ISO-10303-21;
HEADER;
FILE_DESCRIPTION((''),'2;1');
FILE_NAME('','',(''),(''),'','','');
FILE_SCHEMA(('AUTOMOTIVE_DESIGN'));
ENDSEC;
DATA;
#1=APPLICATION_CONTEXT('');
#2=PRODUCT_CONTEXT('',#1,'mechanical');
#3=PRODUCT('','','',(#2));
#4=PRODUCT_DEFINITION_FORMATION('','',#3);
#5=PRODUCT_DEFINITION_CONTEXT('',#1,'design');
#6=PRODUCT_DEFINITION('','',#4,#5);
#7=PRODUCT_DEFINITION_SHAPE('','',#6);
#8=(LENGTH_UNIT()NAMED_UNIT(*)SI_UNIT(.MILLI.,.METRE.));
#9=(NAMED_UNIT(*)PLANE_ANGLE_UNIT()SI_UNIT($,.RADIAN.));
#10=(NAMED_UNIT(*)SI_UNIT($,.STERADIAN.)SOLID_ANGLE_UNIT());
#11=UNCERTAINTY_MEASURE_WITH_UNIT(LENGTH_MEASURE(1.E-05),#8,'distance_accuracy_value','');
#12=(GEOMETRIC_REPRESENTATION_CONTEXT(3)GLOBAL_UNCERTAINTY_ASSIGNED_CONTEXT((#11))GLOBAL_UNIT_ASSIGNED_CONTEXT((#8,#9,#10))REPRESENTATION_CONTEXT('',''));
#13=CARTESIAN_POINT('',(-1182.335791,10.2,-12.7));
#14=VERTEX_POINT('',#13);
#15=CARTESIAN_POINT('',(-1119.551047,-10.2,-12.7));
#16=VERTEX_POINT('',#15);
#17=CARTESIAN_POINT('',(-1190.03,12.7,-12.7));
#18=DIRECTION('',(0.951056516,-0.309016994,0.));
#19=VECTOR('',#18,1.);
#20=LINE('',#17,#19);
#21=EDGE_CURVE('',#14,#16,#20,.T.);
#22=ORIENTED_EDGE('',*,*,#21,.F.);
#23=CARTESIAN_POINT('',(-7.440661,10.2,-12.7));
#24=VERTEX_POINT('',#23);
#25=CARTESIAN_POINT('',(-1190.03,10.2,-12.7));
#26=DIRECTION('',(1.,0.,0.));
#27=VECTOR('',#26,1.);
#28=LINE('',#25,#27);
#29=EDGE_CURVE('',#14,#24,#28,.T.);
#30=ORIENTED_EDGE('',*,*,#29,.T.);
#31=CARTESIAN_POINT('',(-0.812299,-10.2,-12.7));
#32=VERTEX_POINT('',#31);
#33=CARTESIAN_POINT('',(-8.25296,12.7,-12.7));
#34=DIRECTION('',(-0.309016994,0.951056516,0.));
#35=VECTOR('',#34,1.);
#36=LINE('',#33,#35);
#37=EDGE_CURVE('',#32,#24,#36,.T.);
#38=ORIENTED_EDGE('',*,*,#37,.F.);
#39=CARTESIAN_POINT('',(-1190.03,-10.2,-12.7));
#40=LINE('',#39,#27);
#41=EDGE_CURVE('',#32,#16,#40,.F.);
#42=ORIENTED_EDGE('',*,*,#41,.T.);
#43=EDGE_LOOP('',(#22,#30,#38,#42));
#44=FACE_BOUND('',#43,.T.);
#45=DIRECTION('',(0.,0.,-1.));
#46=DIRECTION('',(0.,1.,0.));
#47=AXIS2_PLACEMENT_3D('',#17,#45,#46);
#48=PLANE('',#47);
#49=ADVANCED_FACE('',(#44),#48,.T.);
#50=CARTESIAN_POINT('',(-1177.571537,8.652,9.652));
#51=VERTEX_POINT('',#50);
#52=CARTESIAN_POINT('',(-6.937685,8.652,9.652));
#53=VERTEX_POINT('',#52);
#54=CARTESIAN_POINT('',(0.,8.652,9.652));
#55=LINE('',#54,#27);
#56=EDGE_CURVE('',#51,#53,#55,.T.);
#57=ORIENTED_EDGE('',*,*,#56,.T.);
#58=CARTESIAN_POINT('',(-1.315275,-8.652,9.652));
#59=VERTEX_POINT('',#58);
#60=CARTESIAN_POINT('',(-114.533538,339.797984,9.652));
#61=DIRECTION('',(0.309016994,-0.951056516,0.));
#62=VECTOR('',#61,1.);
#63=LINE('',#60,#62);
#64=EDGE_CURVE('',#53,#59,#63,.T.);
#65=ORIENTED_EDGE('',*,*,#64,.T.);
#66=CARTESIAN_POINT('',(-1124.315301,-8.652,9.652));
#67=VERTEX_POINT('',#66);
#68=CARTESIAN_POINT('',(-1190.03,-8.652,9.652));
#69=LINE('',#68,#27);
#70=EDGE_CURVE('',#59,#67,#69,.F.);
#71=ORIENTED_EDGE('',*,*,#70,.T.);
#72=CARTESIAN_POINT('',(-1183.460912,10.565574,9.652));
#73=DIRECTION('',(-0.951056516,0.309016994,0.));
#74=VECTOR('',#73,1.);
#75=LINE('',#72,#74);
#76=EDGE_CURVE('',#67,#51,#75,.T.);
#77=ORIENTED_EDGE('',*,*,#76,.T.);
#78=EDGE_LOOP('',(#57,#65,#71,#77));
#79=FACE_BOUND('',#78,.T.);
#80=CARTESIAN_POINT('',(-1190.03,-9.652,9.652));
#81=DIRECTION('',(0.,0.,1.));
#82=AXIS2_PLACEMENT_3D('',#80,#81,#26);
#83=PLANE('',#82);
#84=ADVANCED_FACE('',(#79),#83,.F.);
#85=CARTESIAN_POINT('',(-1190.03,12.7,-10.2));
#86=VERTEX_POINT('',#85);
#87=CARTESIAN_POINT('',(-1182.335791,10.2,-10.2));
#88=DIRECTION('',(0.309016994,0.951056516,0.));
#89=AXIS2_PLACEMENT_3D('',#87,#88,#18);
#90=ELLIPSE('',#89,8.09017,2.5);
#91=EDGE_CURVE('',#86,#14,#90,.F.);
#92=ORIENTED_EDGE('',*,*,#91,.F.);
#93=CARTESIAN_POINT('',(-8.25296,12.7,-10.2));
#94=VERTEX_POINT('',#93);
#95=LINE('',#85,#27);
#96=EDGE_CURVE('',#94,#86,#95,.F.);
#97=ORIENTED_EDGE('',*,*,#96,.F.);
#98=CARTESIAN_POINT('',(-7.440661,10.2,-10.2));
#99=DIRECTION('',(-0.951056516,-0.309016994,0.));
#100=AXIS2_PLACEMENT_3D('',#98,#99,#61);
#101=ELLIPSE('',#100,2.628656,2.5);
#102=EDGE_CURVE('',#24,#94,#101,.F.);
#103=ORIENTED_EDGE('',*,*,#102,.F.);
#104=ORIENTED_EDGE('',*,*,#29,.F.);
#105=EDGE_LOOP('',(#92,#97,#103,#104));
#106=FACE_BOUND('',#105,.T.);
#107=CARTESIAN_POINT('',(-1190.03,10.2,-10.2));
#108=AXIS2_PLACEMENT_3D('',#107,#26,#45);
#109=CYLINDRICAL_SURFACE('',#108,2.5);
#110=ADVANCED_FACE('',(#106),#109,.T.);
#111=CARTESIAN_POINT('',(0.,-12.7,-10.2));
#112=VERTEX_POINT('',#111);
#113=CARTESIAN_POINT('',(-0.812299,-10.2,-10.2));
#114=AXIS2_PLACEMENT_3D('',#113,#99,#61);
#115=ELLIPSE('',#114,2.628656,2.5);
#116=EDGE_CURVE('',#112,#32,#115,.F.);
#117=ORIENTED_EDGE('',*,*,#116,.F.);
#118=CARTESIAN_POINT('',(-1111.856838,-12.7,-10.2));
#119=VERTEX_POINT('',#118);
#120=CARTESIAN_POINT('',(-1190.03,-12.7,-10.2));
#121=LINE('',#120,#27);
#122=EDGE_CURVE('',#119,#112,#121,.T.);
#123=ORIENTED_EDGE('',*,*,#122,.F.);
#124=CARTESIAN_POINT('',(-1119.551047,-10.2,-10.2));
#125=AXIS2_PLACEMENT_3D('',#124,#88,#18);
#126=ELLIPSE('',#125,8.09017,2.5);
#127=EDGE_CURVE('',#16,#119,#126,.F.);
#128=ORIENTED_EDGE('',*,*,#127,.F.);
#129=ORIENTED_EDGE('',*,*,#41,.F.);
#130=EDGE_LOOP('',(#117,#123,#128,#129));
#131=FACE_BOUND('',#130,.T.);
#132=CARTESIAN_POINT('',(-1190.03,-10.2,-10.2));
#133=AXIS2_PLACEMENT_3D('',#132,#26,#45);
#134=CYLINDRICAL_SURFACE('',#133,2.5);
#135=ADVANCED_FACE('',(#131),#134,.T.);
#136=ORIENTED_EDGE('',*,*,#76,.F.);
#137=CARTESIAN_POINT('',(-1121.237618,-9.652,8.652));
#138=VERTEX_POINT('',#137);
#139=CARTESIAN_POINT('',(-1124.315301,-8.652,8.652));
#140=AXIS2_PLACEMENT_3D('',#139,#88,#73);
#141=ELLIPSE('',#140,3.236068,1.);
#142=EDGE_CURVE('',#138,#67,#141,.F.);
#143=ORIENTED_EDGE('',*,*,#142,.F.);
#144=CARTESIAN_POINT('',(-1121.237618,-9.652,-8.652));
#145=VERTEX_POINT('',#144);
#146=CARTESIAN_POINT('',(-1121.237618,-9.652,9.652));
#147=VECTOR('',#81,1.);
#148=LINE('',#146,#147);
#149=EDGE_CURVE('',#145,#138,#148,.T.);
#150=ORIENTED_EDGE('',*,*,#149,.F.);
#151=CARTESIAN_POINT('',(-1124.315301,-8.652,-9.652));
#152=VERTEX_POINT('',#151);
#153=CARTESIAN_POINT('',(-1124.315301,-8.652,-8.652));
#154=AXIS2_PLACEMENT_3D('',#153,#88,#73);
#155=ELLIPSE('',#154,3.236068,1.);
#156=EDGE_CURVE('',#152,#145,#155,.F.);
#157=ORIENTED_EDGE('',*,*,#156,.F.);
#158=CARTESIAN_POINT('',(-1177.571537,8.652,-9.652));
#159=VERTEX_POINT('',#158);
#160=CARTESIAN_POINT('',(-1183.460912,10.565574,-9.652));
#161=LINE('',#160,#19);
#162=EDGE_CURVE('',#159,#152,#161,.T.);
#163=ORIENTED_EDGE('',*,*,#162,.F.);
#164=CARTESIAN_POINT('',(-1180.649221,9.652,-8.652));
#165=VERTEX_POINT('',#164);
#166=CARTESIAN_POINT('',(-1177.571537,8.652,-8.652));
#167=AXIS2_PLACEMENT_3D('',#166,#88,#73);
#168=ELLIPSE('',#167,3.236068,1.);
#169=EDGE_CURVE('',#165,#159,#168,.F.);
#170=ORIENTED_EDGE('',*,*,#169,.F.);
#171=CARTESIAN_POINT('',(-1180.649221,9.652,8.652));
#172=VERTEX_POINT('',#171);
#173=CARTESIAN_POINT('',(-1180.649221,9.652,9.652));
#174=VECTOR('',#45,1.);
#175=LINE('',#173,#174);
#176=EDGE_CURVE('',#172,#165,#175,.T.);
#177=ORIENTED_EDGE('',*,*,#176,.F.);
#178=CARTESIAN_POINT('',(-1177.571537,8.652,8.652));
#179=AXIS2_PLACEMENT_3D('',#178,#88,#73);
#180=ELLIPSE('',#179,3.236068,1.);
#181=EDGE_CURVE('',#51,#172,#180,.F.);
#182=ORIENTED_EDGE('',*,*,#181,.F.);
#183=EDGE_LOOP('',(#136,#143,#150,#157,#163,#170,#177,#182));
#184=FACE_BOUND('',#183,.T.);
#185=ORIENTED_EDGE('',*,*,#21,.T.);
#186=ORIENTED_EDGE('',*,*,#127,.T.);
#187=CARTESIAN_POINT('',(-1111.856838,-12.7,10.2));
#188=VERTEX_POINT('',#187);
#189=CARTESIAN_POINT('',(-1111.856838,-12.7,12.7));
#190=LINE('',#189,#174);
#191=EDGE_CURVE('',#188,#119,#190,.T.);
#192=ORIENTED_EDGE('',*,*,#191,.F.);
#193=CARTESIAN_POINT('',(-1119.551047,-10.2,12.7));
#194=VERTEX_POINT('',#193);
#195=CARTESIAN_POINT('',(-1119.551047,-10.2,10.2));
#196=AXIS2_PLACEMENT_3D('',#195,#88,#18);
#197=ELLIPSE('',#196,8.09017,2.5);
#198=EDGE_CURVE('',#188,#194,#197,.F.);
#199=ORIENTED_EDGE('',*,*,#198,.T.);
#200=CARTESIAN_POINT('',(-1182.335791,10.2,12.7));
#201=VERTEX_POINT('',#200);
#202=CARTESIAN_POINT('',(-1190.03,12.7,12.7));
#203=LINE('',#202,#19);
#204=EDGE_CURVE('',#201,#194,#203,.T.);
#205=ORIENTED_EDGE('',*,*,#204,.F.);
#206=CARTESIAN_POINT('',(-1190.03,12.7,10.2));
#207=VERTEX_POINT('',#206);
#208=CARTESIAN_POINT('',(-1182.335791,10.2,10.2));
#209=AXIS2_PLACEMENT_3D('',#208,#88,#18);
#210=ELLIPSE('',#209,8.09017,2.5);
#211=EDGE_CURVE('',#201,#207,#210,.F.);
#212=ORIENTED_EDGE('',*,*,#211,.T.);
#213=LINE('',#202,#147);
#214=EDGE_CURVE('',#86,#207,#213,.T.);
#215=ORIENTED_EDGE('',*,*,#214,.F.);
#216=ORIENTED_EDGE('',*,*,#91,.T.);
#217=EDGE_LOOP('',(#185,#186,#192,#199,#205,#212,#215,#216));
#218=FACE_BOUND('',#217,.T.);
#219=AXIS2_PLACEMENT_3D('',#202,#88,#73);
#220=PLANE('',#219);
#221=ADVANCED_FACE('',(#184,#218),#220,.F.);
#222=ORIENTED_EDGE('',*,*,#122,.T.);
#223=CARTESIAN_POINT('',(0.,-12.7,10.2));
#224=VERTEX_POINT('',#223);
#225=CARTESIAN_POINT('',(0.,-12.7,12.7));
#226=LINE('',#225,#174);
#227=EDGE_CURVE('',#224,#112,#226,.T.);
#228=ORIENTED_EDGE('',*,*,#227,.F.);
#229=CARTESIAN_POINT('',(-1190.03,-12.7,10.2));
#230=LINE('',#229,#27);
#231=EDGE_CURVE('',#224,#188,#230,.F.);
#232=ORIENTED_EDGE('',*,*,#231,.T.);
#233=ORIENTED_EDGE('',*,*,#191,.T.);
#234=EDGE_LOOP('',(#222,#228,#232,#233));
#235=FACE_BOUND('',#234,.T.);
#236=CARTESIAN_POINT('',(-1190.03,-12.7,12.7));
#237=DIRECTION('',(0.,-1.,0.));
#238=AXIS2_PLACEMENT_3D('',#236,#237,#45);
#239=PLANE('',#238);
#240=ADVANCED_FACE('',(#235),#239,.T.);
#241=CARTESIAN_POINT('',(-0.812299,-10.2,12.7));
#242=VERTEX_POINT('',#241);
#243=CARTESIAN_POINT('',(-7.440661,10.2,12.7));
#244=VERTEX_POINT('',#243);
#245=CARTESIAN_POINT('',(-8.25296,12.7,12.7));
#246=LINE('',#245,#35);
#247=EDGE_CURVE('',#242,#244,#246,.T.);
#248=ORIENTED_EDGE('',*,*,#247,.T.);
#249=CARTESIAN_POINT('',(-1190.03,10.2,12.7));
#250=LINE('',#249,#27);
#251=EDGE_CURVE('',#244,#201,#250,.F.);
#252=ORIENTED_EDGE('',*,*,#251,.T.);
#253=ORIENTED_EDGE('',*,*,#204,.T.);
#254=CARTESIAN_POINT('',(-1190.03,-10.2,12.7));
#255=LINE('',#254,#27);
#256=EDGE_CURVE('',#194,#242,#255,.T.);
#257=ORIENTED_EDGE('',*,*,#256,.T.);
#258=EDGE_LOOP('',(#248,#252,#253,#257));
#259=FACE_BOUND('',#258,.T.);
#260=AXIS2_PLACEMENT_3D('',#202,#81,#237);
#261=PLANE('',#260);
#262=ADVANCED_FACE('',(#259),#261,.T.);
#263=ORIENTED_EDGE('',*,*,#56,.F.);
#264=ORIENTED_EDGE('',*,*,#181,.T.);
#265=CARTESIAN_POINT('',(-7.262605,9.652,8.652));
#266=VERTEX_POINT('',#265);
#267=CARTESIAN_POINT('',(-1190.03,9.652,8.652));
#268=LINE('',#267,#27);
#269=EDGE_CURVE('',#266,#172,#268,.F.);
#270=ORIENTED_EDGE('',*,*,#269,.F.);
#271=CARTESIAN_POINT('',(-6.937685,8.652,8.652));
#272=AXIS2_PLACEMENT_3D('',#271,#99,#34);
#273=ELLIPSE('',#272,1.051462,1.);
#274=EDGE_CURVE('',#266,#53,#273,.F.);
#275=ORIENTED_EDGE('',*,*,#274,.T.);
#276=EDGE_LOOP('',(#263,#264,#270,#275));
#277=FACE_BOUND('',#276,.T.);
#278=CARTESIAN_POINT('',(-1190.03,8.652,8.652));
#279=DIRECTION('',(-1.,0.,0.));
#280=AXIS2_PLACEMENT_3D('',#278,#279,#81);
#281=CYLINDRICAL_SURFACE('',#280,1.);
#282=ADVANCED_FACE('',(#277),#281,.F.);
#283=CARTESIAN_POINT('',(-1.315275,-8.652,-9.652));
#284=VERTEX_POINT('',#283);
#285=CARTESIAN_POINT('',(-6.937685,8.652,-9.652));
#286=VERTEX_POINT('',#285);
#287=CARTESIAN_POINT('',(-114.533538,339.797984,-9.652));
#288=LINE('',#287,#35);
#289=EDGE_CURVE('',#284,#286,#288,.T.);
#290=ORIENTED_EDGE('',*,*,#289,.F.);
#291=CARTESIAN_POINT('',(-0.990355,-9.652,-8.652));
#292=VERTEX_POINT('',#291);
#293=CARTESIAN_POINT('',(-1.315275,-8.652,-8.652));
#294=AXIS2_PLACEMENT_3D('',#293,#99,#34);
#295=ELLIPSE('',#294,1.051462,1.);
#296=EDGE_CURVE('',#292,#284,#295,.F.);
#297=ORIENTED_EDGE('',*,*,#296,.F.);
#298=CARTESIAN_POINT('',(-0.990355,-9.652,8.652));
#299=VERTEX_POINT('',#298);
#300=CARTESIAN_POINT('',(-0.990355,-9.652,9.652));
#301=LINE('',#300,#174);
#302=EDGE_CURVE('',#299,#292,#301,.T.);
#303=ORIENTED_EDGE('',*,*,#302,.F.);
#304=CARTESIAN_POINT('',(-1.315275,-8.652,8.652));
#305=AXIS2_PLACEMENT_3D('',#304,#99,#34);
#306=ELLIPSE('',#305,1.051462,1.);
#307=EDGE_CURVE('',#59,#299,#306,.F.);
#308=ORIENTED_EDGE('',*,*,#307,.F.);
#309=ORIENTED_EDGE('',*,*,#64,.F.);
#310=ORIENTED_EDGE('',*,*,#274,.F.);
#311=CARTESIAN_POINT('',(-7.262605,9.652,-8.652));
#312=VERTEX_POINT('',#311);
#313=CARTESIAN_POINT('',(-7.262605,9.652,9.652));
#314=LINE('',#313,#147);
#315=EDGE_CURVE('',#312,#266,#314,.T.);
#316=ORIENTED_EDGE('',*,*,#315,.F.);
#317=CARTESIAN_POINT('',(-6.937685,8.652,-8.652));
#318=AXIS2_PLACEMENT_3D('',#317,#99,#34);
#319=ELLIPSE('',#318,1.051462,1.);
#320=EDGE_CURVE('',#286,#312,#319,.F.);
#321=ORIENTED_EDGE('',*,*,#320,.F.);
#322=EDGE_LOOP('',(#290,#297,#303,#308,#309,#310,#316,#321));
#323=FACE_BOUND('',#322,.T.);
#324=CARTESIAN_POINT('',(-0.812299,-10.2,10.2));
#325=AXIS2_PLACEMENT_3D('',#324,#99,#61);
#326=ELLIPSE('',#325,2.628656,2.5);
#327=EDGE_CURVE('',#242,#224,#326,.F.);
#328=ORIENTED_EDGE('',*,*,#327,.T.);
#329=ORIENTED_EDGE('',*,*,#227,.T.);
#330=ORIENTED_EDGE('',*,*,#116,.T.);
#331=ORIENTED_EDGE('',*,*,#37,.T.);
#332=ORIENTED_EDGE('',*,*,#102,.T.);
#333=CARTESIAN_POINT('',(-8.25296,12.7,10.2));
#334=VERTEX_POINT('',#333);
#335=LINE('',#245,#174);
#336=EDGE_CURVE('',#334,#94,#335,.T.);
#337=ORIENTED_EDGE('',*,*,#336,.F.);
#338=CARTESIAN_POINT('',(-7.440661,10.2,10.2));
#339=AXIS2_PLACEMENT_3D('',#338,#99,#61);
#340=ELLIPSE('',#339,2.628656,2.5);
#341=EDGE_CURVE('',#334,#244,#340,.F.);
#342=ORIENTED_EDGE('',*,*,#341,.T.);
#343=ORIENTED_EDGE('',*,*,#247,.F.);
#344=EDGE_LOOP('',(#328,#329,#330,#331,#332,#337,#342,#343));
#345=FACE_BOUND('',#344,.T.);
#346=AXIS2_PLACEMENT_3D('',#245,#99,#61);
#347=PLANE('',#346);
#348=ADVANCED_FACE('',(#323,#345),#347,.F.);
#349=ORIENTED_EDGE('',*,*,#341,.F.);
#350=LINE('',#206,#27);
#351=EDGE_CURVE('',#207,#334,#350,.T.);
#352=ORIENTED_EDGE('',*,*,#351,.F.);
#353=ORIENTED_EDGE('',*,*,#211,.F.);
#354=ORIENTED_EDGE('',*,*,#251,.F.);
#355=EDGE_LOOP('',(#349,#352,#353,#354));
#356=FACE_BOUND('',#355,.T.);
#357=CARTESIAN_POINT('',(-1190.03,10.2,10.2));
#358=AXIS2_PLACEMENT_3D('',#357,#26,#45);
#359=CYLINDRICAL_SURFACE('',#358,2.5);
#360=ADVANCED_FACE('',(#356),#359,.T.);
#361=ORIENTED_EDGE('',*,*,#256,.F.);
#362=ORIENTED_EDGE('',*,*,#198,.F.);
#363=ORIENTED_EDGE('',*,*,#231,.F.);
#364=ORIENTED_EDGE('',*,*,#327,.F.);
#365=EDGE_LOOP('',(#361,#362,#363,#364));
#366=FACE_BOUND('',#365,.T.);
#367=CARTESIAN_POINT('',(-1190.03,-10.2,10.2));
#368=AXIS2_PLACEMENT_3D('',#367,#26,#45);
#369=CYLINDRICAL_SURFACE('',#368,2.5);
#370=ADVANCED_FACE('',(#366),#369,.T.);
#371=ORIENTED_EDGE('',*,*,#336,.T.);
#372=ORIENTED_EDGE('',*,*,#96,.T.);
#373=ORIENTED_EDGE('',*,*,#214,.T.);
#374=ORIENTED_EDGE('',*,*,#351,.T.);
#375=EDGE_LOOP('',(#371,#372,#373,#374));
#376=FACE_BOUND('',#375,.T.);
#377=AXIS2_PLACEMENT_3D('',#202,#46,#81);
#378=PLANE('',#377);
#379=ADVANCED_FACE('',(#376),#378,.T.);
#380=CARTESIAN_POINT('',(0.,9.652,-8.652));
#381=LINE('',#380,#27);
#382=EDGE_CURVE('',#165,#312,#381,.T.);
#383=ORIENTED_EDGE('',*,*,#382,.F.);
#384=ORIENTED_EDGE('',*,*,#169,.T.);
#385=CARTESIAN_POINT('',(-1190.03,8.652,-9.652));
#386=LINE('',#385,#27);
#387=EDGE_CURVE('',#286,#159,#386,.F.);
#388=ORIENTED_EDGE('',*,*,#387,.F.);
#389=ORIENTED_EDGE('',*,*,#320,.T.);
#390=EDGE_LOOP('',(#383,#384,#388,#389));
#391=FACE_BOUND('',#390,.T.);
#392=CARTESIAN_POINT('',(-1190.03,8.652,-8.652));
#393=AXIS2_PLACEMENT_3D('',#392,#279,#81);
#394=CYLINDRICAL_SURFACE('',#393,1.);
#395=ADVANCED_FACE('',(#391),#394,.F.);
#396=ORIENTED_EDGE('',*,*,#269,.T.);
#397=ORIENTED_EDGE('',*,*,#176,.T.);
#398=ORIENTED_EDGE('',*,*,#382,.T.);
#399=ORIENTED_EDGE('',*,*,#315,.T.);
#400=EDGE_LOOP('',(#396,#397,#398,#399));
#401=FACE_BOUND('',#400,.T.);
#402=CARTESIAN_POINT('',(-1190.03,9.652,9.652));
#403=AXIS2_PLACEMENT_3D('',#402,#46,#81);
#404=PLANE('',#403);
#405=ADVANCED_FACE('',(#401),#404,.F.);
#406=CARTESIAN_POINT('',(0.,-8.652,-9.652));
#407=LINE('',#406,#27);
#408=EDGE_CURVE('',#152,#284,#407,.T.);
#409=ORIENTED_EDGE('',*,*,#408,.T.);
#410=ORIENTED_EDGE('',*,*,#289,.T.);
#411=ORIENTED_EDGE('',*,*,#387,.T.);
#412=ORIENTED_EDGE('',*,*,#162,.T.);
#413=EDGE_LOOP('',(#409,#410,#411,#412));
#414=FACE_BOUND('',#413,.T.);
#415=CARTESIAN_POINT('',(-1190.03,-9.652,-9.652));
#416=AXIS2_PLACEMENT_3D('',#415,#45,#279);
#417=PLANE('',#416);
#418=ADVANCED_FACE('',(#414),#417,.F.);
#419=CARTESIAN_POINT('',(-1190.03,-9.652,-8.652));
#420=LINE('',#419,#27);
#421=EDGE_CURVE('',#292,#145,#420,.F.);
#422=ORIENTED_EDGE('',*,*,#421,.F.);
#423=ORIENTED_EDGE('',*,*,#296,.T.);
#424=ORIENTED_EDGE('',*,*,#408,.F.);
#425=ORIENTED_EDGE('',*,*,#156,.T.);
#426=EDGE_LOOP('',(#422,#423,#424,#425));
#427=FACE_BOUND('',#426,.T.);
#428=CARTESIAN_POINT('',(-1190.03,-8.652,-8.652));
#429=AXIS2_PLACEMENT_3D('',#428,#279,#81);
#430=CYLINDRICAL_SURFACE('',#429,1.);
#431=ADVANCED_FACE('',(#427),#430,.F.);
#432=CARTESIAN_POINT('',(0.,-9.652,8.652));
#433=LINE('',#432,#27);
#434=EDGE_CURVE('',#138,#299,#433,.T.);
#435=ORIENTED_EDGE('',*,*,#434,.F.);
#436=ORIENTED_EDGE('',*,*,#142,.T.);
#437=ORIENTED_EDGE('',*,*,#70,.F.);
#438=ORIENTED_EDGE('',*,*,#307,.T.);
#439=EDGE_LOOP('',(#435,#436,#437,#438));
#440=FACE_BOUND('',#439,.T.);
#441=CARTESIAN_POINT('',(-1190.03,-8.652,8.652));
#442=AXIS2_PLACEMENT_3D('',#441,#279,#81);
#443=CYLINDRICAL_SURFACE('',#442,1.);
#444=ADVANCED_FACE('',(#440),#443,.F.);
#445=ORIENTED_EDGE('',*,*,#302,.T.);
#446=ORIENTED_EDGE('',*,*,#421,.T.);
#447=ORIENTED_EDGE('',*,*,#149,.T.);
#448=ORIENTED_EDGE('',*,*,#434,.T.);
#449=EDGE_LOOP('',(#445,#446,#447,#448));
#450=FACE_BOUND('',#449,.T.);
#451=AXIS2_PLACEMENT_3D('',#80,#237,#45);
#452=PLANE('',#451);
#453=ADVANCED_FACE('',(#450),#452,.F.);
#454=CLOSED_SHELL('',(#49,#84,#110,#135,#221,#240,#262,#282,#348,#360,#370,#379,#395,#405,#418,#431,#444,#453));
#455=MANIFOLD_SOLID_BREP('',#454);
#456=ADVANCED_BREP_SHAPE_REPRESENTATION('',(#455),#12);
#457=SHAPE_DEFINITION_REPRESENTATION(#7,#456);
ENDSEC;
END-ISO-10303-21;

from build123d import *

# Parameters (mm, degrees)
SKETCH3_W           = 25.4
SKETCH3_H           = 25.4
SKETCH3_W_2         = 19.304
SKETCH3_H_2         = 19.304
BOSS_EXTRUDE1_DEPTH = 1190.03
FILLET1_R           = 2.5
FILLET2_R           = 1
CUT_EXTRUDE1_DEPTH  = 1191.368787771


with BuildPart() as part:
    # Sketch3 → Boss-Extrude1 (new body)
    with BuildSketch(Plane(origin=(0, 0, 0), x_dir=(0, 0, -1), z_dir=(1, 0, 0))):
        Rectangle(SKETCH3_W, SKETCH3_H)
        Rectangle(SKETCH3_W_2, SKETCH3_H_2, mode=Mode.SUBTRACT)
    extrude(amount=-BOSS_EXTRUDE1_DEPTH)

    # Fillet1
    fillet1_edges = [part.edges().sort_by_distance(p)[0] for p in [
        (-595.015, -12.7, -12.7),
        (-595.015, -12.7, 12.7),
        (-595.015, 12.7, 12.7),
        (-595.015, 12.7, -12.7),
    ]]
    fillet(fillet1_edges, radius=FILLET1_R)

    # Fillet2
    fillet2_edges = [part.edges().sort_by_distance(p)[0] for p in [
        (-595.015, 9.652, -9.652),
        (-595.015, -9.652, -9.652),
        (-595.015, -9.652, 9.652),
        (-595.015, 9.652, 9.652),
    ]]
    fillet(fillet2_edges, radius=FILLET2_R)

    # Sketch5 → Cut-Extrude1 (cut, through all)
    with BuildSketch(Plane(origin=(0, 0, -12.7), x_dir=(-1, 0, 0), z_dir=(0, 0, -1))):
        Polygon((1190.03, 12.7), (1111.856838156, -12.7), (1190.03, -12.7), align=None)
        Polygon((0, 12.7), (8.252960284, 12.7), (0, -12.7), align=None)
    extrude(amount=-CUT_EXTRUDE1_DEPTH, mode=Mode.SUBTRACT)


solid = part.part
